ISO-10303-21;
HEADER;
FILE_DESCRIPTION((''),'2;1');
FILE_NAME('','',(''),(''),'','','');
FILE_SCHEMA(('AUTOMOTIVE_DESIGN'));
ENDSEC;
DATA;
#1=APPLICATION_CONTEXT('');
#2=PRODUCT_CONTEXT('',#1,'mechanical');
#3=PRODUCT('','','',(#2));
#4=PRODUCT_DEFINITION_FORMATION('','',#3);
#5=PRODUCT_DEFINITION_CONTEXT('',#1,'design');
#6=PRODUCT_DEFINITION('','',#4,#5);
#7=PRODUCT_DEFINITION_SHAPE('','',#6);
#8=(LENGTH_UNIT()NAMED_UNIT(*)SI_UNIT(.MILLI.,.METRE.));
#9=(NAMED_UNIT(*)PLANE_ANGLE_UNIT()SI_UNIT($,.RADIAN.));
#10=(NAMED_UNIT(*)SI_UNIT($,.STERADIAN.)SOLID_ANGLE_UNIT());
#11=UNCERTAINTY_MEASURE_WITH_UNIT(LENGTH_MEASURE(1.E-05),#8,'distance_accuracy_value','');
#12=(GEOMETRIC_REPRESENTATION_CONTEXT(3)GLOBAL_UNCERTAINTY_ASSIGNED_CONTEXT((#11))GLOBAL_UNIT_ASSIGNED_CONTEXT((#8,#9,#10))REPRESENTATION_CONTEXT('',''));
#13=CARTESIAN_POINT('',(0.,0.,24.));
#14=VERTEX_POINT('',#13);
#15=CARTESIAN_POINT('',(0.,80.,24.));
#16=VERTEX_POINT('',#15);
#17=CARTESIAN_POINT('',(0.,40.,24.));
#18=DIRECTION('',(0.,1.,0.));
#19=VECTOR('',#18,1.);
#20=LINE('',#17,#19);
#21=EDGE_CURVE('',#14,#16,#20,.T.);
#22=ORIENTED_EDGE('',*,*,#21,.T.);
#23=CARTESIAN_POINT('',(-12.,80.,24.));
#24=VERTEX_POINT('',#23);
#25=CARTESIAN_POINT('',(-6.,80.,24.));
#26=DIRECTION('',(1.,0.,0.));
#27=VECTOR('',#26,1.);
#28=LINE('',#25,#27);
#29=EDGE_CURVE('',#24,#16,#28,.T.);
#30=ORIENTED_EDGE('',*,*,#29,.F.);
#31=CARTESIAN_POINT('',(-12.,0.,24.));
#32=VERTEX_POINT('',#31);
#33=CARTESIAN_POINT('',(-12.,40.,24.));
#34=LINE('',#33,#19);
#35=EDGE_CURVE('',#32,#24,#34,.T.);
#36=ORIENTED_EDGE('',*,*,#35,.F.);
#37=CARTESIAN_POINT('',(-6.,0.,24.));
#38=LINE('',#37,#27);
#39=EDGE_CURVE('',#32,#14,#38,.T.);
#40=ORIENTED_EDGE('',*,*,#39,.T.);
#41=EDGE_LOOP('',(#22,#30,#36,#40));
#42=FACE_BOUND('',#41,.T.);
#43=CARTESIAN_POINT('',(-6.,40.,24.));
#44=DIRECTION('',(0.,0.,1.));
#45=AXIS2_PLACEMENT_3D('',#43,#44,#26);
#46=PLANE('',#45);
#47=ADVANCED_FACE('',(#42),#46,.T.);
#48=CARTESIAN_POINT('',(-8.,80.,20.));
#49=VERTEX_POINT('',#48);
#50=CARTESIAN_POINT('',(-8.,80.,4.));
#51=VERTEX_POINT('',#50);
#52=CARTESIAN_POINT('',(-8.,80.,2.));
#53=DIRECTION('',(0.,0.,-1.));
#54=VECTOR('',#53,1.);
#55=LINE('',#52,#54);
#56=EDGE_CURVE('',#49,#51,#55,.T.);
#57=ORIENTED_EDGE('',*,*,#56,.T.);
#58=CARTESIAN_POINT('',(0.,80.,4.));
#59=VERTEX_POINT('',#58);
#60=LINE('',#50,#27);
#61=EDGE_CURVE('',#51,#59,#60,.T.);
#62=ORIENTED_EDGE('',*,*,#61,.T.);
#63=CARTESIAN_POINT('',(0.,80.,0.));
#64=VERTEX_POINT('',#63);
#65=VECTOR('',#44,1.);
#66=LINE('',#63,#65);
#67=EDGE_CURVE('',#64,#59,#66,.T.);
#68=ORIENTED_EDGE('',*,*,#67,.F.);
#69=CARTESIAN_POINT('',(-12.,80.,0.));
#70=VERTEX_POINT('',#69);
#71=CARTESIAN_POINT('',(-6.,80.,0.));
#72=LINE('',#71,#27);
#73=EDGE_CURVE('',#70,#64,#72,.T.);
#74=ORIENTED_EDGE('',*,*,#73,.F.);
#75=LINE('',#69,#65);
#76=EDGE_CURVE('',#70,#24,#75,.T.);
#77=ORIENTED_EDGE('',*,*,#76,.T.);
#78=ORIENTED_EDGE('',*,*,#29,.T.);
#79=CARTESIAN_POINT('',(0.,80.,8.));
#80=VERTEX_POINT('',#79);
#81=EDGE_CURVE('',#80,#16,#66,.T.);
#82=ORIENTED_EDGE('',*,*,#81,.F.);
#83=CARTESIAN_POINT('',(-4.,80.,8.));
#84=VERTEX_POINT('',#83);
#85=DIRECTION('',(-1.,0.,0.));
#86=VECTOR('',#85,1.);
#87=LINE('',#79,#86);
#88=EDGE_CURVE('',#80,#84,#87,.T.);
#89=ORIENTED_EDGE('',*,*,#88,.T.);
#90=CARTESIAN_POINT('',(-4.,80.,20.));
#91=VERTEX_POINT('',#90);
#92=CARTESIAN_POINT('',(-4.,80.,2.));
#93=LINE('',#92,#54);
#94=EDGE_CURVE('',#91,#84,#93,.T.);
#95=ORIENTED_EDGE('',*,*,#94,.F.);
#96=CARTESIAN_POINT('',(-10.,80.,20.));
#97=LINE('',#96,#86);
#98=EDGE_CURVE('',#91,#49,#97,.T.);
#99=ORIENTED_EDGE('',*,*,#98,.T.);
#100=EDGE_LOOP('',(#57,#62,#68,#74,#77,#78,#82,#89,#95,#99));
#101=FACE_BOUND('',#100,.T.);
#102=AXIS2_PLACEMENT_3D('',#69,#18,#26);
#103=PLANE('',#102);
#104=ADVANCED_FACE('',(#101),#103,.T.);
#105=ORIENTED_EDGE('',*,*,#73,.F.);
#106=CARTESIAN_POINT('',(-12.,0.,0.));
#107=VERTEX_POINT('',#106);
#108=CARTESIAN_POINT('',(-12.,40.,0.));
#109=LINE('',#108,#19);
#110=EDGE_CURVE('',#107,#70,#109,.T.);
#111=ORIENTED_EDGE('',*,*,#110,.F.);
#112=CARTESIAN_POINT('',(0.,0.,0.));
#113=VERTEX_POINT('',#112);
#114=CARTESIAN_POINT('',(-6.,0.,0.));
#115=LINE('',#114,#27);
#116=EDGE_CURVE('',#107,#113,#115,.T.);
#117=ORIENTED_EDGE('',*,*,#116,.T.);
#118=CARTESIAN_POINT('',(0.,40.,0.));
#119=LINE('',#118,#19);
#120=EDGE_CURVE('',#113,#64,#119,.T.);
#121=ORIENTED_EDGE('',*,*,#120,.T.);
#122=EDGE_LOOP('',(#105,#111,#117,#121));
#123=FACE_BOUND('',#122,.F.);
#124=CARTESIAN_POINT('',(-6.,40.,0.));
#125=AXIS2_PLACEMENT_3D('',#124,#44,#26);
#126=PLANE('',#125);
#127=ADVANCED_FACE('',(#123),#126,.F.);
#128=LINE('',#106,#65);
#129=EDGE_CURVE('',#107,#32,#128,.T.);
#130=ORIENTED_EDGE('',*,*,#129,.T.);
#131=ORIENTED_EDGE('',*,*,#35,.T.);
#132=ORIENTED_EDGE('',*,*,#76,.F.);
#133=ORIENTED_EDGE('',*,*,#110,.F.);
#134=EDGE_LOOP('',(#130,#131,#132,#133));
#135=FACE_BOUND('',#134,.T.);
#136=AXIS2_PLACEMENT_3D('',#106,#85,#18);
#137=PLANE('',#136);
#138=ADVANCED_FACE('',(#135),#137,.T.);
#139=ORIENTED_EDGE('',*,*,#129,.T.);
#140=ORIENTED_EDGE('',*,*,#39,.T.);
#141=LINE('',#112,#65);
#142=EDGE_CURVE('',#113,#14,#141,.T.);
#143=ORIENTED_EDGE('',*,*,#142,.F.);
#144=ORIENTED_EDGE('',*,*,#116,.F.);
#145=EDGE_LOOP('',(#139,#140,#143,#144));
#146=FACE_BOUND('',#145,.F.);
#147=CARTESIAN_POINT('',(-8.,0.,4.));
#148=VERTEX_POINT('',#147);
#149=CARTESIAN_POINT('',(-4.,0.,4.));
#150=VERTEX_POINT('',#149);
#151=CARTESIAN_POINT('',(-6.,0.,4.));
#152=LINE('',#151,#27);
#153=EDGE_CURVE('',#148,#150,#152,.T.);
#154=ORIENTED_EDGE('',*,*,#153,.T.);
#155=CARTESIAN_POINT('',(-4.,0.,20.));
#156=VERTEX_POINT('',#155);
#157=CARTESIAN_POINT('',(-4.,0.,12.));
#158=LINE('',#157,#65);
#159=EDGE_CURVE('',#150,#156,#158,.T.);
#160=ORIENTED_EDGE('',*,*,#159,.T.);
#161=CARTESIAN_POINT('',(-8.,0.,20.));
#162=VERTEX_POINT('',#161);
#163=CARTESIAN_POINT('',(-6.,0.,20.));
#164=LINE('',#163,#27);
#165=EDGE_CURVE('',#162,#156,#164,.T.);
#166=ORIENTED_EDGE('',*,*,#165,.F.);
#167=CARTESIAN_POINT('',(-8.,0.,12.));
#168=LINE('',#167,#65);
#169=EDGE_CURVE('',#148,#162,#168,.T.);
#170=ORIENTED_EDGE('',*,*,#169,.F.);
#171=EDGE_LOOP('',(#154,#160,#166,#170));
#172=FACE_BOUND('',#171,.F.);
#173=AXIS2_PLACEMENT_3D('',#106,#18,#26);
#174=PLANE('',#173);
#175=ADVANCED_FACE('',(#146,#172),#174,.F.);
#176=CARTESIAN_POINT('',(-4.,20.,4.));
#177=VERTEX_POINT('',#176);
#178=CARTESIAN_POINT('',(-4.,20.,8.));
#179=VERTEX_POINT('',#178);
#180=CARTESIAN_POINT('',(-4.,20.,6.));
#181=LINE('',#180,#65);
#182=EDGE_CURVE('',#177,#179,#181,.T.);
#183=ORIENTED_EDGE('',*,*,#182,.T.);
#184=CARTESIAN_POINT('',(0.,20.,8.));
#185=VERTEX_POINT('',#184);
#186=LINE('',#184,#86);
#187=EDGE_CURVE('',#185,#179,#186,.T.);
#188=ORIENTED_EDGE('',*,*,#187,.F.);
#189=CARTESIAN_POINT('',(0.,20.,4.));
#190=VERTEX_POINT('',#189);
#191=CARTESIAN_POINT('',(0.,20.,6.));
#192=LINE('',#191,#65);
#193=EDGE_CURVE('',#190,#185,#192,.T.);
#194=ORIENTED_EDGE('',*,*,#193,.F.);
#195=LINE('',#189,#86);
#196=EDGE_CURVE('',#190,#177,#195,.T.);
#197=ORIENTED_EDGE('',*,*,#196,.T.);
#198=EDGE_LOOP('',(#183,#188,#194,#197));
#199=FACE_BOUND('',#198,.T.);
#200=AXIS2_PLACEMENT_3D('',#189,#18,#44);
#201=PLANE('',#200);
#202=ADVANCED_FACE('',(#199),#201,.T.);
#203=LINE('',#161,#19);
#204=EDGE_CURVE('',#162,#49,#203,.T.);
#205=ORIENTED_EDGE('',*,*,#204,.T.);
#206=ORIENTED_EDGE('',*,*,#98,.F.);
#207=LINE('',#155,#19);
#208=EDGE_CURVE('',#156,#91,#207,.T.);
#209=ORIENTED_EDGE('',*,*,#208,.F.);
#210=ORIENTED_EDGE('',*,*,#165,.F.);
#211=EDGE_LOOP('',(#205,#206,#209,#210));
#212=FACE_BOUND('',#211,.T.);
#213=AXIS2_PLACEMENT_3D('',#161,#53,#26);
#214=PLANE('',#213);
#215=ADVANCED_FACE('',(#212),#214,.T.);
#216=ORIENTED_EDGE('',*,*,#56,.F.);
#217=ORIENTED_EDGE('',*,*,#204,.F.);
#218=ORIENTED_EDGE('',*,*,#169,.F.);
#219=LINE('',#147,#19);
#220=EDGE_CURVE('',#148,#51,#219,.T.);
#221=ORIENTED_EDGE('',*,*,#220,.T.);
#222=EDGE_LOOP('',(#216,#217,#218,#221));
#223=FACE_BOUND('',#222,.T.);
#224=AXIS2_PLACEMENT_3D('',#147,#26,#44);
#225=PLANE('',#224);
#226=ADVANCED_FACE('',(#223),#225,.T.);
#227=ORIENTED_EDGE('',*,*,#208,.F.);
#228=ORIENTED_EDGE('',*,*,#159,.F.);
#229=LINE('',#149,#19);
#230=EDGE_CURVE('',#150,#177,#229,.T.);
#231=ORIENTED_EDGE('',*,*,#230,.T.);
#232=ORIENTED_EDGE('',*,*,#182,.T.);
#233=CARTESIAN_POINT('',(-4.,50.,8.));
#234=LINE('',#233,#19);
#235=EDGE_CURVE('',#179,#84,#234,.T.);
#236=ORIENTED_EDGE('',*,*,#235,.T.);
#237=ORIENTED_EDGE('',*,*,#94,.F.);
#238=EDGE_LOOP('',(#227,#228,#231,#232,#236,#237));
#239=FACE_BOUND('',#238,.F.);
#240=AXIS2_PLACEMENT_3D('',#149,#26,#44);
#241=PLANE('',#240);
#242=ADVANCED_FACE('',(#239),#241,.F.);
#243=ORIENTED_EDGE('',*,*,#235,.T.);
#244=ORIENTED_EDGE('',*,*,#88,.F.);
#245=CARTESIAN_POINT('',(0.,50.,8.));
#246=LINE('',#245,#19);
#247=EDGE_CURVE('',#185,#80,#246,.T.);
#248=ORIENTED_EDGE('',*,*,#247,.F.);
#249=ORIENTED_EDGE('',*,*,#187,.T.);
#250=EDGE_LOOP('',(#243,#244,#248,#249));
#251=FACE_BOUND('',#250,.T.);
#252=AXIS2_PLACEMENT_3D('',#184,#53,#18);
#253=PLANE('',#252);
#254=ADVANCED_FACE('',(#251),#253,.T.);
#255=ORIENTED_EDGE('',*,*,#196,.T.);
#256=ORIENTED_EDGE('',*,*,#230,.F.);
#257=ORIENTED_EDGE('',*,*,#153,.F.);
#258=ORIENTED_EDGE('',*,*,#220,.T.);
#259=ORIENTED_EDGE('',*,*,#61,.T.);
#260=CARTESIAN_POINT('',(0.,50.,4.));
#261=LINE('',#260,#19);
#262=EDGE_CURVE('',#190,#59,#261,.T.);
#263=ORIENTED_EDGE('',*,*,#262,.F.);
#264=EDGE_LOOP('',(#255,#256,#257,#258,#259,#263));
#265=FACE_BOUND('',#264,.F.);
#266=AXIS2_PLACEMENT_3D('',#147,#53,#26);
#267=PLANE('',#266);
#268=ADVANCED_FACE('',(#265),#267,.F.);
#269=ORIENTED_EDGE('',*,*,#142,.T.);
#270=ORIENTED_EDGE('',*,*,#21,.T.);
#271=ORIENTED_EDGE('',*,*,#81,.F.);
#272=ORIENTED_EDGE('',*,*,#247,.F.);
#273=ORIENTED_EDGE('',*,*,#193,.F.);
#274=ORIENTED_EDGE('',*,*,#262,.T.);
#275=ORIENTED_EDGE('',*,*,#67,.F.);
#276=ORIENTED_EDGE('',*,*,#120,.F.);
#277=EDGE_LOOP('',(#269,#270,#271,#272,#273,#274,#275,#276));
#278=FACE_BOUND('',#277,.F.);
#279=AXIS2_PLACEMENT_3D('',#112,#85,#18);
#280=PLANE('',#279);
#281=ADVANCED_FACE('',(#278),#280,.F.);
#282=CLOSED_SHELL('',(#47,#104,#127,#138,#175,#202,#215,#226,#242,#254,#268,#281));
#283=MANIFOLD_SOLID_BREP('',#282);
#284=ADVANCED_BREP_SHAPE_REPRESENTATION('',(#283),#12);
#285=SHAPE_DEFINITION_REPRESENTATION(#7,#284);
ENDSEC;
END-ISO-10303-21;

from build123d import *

# Parameters (mm, degrees)
F0_W     = 12
F0_H     = 80
F1_DEPTH = 24
F2_W     = 4
F2_H     = 16
F3_DEPTH = 9900
F4_W     = 60
F4_H     = 4
F5_DEPTH = 4


with BuildPart() as f1:
    # F0 (on Top) → F1 (new body)
    with BuildSketch(Plane.XY):
        with Locations((-6, 40)):
            Rectangle(F0_W, F0_H)
    extrude(amount=F1_DEPTH)

    # F2 (on face) → F3 (cut)
    with BuildSketch(Plane.XZ):
        with Locations((-6, 12)):
            Rectangle(F2_W, F2_H)
    extrude(amount=-F3_DEPTH, mode=Mode.SUBTRACT)

    # F4 (on face) → F5 (cut)
    with BuildSketch(Plane.YZ):
        with Locations((50, 6)):
            Rectangle(F4_W, F4_H)
    extrude(amount=-F5_DEPTH, mode=Mode.SUBTRACT)


solid = f1.part
